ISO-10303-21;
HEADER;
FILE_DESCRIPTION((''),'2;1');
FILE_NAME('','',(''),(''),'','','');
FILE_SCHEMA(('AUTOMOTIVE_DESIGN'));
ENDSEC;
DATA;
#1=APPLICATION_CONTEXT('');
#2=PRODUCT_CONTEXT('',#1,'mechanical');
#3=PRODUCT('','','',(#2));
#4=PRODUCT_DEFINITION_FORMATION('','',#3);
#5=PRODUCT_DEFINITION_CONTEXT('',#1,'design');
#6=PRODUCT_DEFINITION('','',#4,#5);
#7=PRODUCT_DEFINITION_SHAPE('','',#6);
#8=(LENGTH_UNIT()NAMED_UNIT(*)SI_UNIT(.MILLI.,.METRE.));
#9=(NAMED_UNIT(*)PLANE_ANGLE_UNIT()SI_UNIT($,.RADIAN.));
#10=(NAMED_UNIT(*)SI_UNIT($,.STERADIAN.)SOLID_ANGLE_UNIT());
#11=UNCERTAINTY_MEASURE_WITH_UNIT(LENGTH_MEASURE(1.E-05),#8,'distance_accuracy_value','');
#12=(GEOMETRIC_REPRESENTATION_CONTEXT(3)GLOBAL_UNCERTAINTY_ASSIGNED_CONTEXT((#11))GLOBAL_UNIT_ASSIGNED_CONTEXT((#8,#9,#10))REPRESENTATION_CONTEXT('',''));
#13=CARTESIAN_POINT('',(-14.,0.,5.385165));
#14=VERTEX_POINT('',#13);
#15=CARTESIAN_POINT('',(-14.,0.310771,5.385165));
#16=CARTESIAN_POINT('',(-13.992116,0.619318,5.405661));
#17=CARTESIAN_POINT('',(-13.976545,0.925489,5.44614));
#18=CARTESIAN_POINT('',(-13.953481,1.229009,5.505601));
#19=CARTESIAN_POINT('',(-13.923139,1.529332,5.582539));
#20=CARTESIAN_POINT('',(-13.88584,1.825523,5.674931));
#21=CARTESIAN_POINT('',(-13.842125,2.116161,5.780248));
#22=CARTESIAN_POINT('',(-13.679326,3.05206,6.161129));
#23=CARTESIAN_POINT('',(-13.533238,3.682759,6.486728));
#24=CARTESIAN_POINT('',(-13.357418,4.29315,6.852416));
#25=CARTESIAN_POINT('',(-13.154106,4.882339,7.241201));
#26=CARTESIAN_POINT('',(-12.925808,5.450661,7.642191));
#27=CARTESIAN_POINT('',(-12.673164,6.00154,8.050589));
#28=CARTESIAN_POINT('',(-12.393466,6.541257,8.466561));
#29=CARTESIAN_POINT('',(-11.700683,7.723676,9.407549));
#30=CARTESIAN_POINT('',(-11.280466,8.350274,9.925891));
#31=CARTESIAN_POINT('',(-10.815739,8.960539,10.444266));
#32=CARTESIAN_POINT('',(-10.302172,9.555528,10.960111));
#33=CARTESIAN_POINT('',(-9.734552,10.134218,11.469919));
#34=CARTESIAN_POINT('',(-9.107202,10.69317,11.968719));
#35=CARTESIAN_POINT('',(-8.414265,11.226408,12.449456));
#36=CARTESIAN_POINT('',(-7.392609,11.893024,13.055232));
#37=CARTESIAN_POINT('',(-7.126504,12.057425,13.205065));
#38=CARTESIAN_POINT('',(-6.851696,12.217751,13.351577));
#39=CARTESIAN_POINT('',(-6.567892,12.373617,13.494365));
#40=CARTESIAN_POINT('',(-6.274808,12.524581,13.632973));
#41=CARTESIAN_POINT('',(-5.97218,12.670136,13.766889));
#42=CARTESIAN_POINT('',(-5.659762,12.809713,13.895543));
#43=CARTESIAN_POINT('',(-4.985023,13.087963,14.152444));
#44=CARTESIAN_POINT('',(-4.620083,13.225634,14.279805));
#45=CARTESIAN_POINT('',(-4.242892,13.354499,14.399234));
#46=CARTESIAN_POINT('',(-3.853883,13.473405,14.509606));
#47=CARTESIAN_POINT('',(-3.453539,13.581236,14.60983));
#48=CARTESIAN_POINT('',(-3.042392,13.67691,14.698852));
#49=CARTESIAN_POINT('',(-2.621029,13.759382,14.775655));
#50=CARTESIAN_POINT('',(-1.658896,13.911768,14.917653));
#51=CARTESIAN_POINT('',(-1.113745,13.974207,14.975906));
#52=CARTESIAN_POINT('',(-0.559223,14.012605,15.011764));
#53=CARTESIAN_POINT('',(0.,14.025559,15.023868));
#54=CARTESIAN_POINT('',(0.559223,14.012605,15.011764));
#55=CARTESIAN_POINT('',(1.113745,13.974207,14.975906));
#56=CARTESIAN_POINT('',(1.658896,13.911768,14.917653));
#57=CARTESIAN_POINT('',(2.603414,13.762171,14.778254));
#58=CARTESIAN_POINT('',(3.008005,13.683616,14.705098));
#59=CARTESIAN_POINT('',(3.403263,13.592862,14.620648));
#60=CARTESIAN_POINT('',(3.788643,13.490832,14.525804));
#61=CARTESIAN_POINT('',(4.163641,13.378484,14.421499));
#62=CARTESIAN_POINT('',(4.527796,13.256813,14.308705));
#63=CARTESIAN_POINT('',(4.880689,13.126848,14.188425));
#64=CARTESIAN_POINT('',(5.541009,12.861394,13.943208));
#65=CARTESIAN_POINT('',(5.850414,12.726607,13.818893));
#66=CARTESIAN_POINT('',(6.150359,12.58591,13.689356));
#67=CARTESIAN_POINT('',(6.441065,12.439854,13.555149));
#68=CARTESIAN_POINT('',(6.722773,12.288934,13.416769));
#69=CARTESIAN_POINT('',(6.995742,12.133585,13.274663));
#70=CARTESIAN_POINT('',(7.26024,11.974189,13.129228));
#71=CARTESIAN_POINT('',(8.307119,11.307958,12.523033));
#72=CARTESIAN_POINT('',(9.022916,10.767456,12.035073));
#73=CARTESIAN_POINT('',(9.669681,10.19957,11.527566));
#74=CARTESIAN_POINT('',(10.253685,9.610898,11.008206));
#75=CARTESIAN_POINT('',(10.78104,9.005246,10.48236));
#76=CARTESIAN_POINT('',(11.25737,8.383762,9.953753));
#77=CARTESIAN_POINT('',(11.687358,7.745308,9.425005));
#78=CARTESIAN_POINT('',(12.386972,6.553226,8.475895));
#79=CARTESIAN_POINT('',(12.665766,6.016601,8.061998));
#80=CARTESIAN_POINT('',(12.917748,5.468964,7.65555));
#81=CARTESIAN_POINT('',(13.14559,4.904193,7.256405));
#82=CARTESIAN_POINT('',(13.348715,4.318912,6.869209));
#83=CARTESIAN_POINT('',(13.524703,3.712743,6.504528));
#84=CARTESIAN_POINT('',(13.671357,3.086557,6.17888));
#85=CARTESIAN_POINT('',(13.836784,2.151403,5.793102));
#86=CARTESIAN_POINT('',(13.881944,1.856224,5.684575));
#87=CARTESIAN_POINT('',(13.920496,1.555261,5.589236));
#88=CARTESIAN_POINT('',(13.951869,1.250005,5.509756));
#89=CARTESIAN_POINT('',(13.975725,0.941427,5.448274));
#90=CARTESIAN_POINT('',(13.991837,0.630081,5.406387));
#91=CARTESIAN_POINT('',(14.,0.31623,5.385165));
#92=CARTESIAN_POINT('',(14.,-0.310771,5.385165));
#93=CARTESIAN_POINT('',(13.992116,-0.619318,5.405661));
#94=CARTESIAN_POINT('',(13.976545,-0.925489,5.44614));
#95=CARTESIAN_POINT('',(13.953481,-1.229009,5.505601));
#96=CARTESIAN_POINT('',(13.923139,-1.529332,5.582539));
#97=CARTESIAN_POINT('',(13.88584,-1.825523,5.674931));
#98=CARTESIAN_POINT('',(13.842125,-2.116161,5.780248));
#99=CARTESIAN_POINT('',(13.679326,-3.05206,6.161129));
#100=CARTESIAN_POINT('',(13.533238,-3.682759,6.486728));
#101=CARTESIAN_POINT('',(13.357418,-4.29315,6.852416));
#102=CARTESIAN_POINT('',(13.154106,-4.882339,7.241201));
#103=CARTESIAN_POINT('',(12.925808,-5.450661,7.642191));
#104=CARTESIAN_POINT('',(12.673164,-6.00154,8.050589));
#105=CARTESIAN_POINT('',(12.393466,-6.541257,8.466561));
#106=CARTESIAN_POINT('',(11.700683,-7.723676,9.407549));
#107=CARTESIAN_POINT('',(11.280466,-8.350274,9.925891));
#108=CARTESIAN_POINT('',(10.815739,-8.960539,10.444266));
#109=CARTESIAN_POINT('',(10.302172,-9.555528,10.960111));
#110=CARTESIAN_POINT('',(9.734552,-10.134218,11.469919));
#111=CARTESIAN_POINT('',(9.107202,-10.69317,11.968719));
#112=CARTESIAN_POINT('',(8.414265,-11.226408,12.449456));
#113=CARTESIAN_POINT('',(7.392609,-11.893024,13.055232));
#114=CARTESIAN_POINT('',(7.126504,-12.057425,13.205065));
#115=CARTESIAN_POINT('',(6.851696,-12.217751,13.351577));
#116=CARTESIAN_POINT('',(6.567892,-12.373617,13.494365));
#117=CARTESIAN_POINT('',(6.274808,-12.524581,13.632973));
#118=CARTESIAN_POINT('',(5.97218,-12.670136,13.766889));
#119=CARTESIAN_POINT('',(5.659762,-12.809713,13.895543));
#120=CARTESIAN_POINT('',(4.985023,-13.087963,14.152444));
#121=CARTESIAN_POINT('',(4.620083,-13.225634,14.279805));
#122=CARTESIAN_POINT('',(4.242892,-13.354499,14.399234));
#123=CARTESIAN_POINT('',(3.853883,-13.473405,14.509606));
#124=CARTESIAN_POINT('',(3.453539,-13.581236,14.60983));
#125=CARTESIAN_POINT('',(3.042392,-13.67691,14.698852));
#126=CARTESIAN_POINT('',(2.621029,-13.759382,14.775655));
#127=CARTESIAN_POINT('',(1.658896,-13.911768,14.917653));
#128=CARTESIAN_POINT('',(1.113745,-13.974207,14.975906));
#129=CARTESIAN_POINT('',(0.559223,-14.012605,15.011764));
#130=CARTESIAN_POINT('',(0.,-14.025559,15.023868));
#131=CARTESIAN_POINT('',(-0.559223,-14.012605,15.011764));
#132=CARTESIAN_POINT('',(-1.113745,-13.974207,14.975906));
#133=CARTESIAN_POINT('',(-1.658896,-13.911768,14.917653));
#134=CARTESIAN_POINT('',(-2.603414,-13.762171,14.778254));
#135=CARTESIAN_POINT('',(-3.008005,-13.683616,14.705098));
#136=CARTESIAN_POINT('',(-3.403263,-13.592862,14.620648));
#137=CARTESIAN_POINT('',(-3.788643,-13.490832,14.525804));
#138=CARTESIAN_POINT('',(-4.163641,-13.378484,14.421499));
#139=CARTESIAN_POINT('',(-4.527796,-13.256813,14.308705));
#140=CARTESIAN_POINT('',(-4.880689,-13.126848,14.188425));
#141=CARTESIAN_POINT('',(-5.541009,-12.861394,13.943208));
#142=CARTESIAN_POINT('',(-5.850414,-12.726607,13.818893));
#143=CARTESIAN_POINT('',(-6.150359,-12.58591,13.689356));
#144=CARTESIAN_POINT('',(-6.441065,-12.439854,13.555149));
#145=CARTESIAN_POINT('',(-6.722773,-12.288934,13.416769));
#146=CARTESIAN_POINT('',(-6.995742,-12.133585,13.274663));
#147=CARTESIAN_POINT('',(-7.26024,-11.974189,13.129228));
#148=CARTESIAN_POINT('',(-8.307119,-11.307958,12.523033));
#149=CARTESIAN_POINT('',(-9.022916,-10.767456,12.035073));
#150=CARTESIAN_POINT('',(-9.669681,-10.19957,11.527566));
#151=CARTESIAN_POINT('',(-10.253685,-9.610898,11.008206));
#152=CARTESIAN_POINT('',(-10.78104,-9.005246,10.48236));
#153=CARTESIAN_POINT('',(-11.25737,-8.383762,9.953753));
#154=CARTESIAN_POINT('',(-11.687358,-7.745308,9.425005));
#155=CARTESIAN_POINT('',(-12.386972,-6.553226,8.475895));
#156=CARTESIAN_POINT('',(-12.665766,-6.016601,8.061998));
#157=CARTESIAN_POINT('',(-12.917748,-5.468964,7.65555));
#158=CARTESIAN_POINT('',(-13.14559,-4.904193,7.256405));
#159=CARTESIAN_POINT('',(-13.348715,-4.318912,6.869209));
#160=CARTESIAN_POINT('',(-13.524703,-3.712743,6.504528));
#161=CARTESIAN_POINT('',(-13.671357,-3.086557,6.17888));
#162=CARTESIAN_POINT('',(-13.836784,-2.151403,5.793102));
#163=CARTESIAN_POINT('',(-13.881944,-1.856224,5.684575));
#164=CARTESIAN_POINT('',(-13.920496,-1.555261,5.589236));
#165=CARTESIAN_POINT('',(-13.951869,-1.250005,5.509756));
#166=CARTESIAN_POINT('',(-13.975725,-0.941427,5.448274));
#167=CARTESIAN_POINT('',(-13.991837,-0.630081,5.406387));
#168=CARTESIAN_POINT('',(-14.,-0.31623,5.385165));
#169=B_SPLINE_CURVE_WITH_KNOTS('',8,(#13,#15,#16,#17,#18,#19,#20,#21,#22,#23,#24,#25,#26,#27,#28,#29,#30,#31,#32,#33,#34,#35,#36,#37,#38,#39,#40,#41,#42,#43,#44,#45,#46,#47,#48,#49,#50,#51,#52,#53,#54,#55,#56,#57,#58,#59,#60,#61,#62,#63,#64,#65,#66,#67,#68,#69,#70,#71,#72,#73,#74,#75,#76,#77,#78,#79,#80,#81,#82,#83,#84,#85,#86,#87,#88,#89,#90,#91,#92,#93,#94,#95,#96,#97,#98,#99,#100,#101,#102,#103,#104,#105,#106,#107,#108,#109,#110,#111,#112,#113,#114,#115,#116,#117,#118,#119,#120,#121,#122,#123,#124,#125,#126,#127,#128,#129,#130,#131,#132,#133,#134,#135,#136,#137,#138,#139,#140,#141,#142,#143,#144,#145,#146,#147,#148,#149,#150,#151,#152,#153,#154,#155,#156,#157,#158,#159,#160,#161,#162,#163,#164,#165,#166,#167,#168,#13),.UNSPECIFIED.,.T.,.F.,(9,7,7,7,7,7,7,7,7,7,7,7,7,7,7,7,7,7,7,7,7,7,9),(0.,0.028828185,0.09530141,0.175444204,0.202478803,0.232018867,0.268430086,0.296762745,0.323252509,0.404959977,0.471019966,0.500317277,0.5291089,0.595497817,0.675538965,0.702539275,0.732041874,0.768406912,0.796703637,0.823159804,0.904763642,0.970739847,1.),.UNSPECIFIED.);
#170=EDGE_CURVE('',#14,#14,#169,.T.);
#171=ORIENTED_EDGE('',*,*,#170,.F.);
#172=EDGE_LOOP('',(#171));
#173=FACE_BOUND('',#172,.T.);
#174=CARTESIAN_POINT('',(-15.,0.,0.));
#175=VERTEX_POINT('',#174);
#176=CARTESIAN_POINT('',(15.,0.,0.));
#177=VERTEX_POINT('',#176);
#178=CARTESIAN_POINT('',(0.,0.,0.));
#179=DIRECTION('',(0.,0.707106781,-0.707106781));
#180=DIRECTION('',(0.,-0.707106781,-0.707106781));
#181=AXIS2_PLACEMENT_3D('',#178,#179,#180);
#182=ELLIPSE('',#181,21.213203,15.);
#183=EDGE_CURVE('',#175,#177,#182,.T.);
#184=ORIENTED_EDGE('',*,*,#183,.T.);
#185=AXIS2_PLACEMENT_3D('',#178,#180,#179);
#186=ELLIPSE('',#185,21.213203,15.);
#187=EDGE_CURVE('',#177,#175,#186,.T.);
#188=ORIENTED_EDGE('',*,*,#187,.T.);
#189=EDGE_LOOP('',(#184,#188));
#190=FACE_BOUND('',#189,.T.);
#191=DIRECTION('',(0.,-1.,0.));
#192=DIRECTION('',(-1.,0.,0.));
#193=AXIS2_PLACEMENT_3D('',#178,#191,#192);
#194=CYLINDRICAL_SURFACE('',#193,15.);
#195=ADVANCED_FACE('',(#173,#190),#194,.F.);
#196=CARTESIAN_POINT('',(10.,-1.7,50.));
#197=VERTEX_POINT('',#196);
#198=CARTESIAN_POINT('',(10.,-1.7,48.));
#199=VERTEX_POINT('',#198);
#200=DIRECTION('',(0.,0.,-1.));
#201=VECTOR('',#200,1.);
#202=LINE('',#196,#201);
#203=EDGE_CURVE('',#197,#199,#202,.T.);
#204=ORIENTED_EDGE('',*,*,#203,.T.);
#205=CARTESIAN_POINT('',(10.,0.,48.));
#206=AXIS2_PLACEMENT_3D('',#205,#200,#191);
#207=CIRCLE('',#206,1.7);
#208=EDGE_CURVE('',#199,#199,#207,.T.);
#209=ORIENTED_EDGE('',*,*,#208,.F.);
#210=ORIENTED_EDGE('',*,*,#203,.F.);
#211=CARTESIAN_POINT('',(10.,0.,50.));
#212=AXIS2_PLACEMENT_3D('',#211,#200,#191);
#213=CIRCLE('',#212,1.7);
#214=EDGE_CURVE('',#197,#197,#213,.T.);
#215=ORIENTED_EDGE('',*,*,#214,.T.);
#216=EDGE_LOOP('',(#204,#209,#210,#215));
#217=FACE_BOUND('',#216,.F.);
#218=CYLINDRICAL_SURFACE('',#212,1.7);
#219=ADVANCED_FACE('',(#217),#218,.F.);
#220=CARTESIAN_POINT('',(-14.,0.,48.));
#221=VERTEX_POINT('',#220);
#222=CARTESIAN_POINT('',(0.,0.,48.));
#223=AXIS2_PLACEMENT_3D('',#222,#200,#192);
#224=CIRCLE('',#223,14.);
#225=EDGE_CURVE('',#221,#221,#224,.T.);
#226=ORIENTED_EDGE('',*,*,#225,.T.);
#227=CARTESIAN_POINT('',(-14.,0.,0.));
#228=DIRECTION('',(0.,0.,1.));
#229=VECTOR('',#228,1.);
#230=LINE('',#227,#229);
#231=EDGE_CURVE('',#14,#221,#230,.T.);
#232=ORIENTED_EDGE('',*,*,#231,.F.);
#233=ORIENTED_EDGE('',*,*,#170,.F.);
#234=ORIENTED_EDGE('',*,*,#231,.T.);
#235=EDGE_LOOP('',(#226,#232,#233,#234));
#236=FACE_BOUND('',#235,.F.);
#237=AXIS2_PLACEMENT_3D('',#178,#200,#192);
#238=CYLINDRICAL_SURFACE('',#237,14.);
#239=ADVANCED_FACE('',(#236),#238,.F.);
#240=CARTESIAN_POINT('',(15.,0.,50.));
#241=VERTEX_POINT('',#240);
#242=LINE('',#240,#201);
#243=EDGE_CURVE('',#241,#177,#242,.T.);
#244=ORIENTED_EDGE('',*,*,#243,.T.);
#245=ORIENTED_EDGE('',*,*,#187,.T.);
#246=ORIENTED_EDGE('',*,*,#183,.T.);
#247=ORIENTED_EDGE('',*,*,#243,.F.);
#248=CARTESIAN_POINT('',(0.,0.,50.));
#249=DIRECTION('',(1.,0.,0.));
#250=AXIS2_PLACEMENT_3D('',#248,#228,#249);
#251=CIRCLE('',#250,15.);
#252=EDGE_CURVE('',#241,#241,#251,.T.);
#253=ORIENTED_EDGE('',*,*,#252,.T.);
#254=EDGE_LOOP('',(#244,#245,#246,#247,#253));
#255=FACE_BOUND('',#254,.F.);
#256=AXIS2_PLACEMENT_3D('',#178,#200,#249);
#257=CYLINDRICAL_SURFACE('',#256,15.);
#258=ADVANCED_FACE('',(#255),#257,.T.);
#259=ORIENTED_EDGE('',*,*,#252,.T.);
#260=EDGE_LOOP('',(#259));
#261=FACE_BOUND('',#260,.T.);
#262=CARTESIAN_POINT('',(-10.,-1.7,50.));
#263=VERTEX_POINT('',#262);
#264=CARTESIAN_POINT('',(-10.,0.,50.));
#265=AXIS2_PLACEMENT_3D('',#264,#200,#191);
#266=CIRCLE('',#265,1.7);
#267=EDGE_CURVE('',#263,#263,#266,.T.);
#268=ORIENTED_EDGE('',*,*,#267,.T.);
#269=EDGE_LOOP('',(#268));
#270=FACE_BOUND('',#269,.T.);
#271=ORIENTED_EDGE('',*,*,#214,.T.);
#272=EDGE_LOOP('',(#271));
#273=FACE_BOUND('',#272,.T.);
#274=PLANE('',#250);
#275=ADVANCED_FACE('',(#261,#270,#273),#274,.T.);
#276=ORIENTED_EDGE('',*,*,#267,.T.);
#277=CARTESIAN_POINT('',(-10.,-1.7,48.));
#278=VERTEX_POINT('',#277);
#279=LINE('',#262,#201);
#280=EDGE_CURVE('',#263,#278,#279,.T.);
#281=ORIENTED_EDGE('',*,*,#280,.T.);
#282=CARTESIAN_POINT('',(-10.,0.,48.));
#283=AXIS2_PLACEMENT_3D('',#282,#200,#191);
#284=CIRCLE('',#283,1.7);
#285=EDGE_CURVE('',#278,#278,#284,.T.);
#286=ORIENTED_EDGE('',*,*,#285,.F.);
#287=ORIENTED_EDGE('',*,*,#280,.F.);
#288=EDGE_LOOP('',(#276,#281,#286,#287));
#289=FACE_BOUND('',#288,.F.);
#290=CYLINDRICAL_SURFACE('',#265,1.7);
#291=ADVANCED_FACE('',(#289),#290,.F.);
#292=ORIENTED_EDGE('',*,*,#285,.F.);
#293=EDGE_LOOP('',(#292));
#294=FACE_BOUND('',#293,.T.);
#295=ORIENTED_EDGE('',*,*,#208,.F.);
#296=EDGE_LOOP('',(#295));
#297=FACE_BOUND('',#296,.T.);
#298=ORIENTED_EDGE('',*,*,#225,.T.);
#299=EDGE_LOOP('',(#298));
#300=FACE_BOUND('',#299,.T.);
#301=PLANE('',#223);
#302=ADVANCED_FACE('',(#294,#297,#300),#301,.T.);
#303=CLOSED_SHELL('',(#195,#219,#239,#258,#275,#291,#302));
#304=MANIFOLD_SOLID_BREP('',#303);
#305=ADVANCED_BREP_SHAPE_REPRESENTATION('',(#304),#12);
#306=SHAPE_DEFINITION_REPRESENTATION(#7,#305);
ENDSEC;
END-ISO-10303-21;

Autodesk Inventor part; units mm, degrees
ref_plane "YZ Plane" through (0, 0, 0) normal (1, 0, 0) x (0, 1, 0)
ref_plane "XZ Plane" through (0, 0, 0) normal (0, 1, 0) x (-1, 0, 0)
ref_plane "XY Plane" through (0, 0, 0) normal (0, 0, 1) x (1, 0, 0)
sketch "スケッチ1" plane through (0, 0, 0) normal (0, 0, 1) x (1, 0, 0)
  circle A0 centre (0, 0) radius 15
  dimension "d0" = 30
extrude "押し出し1" add sketch "スケッチ1" along normal blind 30
sketch "スケッチ2" plane through (0, 0, 30) normal (0, 0, 1) x (1, 0, 0)
  circle A0 centre (0, 0) radius 15
  dimension "d3" = 30
extrude "押し出し2" add sketch "スケッチ2" along normal blind 20
sketch "スケッチ4" plane through (0, 0, 0) normal (1, 0, 0) x (0, 1, 0)
  point P0 (0, 0)
sketch "スケッチ5" plane through (0, 0, 0) normal (0, 0, -1) x (-1, 0, 0)
  circle A0 centre (0, 0) radius 14
  dimension "d6" = 28
extrude "押し出し3" cut sketch "スケッチ5" against normal blind 48
sketch "スケッチ6" plane through (0, 0, 0) normal (0, 1, 0) x (-1, 0, 0)
  line L0 (15, 0) -> (-15, 0) projected
  arc A0 (15, 0) -> (-15, 0) centre (0, 0) ccw
extrude "押し出し4" cut sketch "スケッチ6" along normal blind 50 and the other way blind 25
sketch "スケッチ7" plane through (0, 0, 50) normal (0, 0, 1) x (1, 0, 0)
  point P0 (0, 0)
  point P1 (10, 0)
  point P2 (-10, 0)
  dimension "d14" = 10
  dimension "d15" = 10
hole "穴1" at (10, 0, 50) at (-10, 0, 50) direction (0, 0, -1) diameter 3.4 end through all clearance for "Flat Head Machine Screw" size "M3" standard "Ansi Metric M Profile"
properties part number "20220524_吸引部分筒"
